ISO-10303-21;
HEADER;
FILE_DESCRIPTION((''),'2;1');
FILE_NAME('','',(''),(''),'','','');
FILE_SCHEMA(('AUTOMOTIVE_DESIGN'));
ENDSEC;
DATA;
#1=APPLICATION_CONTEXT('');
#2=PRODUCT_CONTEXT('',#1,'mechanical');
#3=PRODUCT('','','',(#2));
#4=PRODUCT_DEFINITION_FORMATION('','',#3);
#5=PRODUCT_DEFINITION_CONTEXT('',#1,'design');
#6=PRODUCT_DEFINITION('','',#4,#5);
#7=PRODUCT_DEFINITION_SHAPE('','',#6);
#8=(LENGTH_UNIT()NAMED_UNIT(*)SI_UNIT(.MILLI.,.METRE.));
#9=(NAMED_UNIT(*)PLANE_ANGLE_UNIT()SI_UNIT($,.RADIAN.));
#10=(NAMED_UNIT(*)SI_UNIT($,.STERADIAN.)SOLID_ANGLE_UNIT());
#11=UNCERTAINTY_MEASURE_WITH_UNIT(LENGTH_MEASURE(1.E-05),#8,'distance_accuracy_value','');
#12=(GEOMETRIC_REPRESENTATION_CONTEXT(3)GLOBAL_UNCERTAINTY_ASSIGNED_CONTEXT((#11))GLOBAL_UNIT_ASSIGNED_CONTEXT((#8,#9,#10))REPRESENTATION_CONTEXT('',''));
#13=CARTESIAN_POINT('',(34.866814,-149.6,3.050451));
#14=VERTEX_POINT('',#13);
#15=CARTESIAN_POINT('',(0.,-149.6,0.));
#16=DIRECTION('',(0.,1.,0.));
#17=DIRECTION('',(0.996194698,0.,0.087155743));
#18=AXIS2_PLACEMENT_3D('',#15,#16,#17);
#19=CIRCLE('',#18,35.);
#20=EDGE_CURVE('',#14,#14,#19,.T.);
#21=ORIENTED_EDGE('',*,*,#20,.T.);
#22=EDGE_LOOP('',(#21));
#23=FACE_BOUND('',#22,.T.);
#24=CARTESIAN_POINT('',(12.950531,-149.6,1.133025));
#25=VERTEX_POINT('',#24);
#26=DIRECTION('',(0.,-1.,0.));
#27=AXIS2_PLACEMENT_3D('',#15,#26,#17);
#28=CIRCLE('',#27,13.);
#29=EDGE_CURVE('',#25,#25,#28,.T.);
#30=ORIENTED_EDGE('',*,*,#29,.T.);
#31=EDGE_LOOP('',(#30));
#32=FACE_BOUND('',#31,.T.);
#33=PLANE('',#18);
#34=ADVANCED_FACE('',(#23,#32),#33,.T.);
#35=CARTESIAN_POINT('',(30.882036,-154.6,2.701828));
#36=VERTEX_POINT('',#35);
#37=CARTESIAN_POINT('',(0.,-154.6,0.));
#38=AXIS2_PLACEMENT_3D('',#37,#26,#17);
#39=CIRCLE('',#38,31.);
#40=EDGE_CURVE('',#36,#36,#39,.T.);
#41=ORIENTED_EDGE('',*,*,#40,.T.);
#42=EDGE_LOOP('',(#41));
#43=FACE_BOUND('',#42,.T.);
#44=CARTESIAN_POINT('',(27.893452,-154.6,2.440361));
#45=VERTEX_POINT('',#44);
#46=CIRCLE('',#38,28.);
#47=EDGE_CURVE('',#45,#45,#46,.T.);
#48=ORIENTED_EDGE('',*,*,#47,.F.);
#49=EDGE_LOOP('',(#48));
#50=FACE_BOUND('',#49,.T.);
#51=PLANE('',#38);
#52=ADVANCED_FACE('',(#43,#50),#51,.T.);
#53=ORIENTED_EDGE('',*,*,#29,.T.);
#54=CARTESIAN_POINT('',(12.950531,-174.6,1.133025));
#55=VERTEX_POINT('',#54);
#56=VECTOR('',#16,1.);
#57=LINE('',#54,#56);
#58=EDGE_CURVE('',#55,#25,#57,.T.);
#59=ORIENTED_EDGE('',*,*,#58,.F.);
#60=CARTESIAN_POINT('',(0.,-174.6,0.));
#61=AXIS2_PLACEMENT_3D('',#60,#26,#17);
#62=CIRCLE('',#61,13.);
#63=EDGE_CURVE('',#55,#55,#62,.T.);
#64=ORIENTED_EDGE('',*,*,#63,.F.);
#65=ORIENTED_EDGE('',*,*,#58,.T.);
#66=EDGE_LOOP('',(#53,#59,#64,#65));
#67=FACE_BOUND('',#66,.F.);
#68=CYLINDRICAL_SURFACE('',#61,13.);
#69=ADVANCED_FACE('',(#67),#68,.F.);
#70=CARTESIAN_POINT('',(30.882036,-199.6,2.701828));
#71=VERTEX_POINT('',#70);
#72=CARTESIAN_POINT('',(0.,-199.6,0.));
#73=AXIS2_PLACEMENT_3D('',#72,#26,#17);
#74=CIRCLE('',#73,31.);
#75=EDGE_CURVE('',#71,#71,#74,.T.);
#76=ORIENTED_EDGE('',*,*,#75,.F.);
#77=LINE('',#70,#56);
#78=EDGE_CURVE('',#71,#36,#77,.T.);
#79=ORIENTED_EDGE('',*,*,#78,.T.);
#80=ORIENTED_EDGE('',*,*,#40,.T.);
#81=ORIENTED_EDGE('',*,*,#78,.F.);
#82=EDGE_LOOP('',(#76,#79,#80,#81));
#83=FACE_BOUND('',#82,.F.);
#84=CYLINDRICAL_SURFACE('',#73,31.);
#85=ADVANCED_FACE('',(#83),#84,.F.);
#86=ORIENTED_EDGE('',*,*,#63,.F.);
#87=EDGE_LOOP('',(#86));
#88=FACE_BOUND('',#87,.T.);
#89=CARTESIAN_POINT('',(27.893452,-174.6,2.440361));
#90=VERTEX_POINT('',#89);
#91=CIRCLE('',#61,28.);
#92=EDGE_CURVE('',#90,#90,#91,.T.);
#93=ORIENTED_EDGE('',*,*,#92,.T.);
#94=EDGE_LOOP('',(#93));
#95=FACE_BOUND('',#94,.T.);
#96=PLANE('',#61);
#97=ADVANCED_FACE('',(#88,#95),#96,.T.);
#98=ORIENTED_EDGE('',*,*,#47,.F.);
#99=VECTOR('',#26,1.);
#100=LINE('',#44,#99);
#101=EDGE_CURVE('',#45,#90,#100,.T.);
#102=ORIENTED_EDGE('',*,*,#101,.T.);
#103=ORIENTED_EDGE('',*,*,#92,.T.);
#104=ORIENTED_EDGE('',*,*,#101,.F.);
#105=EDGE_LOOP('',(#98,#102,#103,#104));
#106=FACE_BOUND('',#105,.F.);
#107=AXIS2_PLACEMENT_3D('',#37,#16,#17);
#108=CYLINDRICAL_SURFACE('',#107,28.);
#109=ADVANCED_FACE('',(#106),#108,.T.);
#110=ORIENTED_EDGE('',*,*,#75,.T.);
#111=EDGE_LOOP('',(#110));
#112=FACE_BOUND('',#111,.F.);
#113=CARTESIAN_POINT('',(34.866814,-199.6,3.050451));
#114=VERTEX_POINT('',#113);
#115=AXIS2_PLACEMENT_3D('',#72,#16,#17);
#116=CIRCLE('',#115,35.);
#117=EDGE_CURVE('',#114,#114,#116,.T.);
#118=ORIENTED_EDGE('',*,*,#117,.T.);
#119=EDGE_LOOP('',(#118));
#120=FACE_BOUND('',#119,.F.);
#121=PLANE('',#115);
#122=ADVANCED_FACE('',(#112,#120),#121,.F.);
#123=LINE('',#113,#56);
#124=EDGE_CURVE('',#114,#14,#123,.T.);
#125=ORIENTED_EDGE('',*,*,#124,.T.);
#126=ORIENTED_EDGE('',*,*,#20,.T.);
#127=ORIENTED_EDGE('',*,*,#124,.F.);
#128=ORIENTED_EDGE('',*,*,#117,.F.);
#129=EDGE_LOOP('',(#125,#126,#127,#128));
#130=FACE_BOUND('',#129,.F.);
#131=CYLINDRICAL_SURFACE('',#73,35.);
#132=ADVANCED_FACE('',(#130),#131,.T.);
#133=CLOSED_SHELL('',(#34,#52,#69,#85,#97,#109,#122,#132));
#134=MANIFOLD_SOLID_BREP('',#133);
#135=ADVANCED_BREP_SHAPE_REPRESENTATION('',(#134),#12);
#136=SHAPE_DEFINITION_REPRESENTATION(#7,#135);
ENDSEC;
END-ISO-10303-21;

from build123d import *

# Parameters (mm, degrees)
SKETCH018_R         = 35
PAD013_DEPTH        = 50
SKETCH019_R         = 31
POCKET002_DEPTH     = 45
SKETCH020_R         = 28
PAD014_DEPTH        = 20
SKETCH021_R         = 13
POCKET003_DEPTH     = 25.001
BODY010_ROLL_ANGLE  = -90
BODY010_PITCH_ANGLE = -5


with BuildPart() as part:
    # Sketch018 → Pad013 (new body)
    with BuildSketch(Plane.XY):
        Circle(SKETCH018_R)
    extrude(amount=PAD013_DEPTH)

    # Sketch019 (on Face2 of Pad013) → Pocket002 (cut)
    with BuildSketch(Plane(origin=(0, 0, 0), x_dir=(1, 0, 0), z_dir=(0, 0, -1))):
        Circle(SKETCH019_R)
    extrude(amount=-POCKET002_DEPTH, mode=Mode.SUBTRACT)

    # Sketch020 (on Face5 of Pocket002) → Pad014 (join)
    with BuildSketch(Plane(origin=(0, 0, 45), x_dir=(1, 0, 0), z_dir=(0, 0, -1))):
        Circle(SKETCH020_R)
    extrude(amount=PAD014_DEPTH)

    # Sketch021 (on Face7 of Pad014) → Pocket003 (cut, through all)
    with BuildSketch(Plane(origin=(0, 0, 25), x_dir=(1, 0, 0), z_dir=(0, 0, -1))):
        Circle(SKETCH021_R)
    extrude(amount=-POCKET003_DEPTH, mode=Mode.SUBTRACT)


with BuildPart() as part_1:
    # Body010 roll: moved
    add(part.part.rotate(Axis((0, 0, 0), (1, 0, 0)), BODY010_ROLL_ANGLE))


with BuildPart() as part_2:
    # Body010 pitch: moved
    add(part_1.part.rotate(Axis((0, 0, 0), (0, 1, 0)), BODY010_PITCH_ANGLE))


with BuildPart() as part_3:
    # Body010 placement: moved
    add(part_2.part.moved(Location((0, -199.6, 0))))


solid = part_3.part
